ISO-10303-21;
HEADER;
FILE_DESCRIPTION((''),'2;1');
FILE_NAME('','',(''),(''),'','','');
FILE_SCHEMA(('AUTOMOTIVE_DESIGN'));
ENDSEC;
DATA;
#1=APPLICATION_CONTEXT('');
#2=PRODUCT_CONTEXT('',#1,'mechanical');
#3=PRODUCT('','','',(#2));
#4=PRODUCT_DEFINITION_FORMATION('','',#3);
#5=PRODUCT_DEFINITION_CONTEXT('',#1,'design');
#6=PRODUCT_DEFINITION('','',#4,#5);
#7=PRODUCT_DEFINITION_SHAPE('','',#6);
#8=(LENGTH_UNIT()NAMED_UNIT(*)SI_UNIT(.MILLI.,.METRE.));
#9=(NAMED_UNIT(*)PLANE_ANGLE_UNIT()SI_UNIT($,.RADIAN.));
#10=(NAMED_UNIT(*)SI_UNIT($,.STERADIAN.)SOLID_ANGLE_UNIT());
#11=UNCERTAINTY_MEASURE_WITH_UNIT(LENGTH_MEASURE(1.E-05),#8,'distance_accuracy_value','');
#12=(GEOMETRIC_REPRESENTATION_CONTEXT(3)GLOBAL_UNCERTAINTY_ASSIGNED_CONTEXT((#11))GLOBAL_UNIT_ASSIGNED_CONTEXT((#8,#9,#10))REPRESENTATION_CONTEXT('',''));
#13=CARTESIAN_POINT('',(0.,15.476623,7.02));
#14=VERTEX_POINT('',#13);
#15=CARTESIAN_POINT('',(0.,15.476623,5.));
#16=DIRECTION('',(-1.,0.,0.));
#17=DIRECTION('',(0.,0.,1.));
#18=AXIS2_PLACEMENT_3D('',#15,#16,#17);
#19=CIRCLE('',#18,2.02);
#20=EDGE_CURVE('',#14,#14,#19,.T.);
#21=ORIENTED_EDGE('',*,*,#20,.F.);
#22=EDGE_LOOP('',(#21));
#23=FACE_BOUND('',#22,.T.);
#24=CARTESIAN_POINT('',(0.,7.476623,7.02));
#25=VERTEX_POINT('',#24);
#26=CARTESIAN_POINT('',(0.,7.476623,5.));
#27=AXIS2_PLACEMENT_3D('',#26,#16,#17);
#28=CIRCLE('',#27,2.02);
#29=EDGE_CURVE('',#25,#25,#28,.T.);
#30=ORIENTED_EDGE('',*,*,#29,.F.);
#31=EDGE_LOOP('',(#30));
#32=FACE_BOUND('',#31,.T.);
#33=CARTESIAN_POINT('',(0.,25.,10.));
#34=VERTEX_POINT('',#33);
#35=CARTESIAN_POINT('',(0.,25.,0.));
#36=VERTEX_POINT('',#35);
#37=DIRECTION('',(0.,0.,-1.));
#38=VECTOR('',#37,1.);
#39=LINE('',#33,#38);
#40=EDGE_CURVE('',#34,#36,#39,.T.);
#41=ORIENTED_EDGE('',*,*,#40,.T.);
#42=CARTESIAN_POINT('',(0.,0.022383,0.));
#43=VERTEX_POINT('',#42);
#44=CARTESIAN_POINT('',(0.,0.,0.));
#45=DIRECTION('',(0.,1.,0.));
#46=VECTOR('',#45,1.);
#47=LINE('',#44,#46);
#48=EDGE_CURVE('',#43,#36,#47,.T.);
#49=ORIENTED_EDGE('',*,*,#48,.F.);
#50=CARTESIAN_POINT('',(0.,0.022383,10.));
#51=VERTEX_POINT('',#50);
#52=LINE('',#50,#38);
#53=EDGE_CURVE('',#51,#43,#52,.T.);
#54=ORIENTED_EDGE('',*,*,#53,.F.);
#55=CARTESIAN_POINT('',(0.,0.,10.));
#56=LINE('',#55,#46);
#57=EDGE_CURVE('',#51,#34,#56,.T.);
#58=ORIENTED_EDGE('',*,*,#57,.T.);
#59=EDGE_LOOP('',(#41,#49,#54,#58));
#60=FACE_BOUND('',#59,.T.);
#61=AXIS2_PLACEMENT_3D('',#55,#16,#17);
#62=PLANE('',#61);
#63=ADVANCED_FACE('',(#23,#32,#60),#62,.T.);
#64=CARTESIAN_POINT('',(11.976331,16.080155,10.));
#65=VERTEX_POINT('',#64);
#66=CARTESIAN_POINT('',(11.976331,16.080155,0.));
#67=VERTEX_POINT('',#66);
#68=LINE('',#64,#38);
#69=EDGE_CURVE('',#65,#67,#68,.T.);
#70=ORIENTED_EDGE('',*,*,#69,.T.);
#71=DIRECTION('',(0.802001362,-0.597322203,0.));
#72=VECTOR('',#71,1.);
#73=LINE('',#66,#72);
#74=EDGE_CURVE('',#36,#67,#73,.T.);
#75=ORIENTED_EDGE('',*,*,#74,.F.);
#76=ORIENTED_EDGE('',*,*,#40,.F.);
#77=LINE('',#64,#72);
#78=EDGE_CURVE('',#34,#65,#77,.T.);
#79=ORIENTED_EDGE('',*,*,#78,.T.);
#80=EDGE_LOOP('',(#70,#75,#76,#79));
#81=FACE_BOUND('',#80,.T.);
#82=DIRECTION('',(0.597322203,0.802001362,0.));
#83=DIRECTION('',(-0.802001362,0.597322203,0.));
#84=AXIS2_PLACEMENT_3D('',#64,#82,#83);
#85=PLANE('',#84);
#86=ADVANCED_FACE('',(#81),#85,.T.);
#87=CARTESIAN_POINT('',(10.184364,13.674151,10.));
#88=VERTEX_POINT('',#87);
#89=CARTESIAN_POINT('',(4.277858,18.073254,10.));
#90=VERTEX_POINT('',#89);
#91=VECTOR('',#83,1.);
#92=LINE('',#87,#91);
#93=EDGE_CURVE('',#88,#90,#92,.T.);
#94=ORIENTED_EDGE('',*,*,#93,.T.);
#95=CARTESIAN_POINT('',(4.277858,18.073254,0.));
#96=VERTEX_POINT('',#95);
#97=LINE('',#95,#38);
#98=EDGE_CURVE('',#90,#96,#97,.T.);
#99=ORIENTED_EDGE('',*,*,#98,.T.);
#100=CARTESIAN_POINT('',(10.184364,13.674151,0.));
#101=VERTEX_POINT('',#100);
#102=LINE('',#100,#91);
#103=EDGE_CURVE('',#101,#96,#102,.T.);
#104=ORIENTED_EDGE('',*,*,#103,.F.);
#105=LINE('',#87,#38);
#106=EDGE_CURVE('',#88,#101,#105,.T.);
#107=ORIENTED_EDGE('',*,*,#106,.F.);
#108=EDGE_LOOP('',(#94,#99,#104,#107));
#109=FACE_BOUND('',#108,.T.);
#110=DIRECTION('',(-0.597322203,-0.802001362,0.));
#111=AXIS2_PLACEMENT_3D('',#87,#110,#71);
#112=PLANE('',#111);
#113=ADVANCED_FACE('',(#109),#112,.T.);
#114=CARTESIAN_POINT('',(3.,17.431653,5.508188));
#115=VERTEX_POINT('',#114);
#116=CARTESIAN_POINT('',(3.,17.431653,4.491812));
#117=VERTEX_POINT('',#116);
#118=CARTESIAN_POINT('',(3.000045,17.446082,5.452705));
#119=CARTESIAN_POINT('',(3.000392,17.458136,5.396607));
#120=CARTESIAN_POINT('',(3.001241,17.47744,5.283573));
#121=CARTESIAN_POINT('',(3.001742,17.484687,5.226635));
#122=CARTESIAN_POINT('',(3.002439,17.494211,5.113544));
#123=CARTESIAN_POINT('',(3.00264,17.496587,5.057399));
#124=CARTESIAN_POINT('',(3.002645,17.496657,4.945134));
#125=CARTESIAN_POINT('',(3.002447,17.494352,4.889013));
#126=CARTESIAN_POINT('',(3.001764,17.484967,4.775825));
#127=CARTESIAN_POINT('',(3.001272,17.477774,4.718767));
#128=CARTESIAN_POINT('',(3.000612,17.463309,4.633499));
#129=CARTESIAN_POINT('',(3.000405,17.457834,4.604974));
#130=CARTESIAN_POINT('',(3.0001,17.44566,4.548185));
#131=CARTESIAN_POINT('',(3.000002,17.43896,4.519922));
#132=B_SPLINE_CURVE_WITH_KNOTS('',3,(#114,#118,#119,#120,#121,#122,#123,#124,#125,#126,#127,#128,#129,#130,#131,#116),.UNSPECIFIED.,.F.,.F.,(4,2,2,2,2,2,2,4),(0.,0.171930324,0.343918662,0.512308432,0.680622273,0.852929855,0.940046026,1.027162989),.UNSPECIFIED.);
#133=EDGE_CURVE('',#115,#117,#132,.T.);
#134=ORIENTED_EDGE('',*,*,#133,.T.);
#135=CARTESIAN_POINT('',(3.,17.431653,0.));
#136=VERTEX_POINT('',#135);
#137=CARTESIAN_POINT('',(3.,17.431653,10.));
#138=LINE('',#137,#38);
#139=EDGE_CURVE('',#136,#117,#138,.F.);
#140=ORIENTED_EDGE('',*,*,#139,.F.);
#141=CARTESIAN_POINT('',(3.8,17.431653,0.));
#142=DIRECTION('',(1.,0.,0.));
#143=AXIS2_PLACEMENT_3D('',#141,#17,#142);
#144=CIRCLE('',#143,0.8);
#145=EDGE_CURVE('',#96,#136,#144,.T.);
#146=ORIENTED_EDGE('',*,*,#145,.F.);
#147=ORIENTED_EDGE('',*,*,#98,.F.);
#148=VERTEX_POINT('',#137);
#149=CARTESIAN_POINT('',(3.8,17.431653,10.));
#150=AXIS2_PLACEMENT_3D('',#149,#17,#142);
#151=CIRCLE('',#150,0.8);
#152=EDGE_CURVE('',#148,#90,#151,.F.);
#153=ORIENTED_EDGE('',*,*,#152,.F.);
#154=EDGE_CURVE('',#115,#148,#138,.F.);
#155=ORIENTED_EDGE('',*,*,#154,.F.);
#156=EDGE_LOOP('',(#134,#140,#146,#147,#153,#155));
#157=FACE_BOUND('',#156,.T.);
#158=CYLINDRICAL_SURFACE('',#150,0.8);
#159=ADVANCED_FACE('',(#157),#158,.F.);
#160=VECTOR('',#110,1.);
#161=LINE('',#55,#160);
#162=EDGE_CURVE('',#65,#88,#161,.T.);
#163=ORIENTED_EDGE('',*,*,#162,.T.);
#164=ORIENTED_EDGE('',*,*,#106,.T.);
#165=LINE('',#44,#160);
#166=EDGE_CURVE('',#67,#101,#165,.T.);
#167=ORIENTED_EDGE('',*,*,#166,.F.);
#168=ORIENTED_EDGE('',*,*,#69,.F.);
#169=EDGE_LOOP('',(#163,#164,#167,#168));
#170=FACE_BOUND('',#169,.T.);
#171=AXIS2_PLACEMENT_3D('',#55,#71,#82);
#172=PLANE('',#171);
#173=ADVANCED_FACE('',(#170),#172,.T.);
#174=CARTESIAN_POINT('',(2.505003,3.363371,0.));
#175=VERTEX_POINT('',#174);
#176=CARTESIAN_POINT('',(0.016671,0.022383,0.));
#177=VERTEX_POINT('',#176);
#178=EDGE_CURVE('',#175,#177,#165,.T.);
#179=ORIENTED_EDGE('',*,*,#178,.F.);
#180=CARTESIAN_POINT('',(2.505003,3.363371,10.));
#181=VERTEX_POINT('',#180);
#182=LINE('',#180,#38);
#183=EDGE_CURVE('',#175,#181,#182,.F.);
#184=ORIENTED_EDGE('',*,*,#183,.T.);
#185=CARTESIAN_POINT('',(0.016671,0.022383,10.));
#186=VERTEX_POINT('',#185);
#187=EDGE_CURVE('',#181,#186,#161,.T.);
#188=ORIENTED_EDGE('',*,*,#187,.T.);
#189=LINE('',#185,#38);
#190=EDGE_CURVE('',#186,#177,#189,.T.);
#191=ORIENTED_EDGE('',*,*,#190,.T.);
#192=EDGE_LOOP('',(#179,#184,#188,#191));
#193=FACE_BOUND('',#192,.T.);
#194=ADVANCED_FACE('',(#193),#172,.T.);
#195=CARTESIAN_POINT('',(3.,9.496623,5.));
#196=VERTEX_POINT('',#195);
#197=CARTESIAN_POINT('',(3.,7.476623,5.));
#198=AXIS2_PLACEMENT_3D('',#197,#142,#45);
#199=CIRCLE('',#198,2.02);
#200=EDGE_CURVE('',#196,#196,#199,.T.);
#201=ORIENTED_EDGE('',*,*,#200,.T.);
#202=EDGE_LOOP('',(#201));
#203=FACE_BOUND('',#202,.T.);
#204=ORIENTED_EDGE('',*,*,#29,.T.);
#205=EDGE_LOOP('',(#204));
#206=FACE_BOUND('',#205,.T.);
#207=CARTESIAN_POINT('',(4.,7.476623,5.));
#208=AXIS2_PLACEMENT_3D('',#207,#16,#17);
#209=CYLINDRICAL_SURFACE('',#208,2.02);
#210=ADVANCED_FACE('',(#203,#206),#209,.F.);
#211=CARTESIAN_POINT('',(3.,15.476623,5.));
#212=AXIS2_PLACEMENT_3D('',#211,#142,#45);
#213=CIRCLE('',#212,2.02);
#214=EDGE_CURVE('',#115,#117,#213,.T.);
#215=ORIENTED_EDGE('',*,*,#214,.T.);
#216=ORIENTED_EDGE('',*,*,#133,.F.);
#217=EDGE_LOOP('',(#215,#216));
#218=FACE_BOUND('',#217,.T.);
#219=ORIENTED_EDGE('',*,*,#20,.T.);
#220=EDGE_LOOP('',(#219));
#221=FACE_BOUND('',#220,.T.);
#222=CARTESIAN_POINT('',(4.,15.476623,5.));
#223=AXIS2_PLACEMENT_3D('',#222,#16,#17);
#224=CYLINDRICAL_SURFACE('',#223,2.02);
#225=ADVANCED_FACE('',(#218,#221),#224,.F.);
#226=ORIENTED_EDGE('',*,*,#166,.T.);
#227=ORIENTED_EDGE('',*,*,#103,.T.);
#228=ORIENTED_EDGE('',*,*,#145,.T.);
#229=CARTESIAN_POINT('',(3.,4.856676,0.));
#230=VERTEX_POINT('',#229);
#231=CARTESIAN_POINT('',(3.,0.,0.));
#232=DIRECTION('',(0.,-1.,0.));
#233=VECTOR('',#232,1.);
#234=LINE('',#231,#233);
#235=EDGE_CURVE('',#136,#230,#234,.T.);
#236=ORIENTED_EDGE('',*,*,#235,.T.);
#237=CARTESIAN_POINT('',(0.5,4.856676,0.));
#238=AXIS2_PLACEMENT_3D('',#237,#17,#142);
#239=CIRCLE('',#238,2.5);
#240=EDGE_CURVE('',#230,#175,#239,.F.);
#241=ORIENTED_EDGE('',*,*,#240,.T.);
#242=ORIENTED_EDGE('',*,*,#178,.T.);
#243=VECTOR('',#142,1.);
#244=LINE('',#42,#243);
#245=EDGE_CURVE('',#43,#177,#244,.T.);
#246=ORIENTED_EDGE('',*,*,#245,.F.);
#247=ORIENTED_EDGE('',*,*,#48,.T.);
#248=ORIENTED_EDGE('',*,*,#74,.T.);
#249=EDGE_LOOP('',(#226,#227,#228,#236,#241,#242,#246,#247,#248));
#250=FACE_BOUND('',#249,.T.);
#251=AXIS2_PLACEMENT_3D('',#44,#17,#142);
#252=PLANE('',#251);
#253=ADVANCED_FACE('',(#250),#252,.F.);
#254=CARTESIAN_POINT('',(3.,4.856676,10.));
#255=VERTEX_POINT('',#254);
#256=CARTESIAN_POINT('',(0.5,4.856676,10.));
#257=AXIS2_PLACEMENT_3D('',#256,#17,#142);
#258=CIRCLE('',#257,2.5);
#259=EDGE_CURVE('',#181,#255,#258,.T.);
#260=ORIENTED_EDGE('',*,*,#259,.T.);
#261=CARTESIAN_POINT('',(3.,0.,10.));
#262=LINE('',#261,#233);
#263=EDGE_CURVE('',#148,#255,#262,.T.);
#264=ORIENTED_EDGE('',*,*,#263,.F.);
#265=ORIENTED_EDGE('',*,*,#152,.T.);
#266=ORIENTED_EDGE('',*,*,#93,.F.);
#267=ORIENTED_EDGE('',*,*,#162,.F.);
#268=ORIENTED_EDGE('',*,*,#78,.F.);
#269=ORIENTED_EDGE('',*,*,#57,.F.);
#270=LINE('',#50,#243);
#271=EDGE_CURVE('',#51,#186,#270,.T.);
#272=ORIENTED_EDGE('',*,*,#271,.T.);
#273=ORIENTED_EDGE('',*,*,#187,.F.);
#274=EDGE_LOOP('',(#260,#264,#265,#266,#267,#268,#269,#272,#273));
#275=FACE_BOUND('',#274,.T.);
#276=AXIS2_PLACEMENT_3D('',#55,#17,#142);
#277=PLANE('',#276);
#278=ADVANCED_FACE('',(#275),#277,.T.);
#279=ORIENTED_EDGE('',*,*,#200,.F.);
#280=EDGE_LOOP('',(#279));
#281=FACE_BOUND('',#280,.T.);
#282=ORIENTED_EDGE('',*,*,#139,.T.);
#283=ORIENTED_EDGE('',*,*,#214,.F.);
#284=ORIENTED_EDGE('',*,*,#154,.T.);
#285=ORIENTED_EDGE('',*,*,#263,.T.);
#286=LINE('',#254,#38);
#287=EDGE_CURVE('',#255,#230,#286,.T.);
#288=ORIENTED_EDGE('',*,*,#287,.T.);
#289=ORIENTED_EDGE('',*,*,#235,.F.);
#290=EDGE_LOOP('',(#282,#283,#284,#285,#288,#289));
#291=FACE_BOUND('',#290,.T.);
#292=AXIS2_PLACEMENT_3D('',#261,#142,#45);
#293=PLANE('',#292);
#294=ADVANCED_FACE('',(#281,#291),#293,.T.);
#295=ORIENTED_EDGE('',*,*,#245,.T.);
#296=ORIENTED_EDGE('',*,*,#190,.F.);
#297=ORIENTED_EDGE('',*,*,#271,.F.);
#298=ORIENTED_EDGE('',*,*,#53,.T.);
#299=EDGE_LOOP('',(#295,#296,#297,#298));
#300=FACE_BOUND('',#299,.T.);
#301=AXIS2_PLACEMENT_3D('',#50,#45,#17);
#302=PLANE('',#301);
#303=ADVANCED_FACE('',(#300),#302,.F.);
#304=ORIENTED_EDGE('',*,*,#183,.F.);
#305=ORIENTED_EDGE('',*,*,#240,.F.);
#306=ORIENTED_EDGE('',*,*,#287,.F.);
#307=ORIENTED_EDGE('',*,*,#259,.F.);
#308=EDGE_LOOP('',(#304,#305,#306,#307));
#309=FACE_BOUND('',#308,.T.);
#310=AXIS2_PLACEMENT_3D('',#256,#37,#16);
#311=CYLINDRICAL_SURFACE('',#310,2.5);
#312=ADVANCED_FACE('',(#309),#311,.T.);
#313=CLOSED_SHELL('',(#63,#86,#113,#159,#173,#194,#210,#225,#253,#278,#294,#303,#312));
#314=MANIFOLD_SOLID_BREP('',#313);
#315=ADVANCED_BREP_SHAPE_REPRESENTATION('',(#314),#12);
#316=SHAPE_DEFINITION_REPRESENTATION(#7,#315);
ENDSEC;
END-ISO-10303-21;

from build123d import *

# Parameters (mm, degrees)
BOSS_EXTRUDE1_DEPTH = 10
FILLET1_R           = 0.8
FILLET2_R           = 2.5
SKETCH6_R           = 2.02
CUT_EXTRUDE1_DEPTH  = 4


with BuildPart() as part:
    # Sketch2 → Boss-Extrude1 (new body)
    with BuildSketch(Plane.XY):
        Polygon((0, 21.259357975), (0, 0.022383201), (0.016670773, 0.022383201), (3, 4.02798368), (3, 19.024989439), align=None)
        Polygon((0, 22.637274757), (0, 21.259357975), (3, 19.024989439), (3, 22.765631464), (1.131871138, 24.156994247), align=None)
        Polygon((3, 22.765631464), (3, 19.024989439), (10.184363913, 13.674150545), (11.976330523, 16.080154633), align=None)
        Polygon((0, 25), (0, 22.637274757), (1.131871138, 24.156994247), align=None)
    extrude(amount=BOSS_EXTRUDE1_DEPTH)

    # Fillet1
    fillet1_edges = [part.edges().sort_by_distance(p)[0] for p in [
        (3, 19.024989439, 5),
    ]]
    fillet(fillet1_edges, radius=FILLET1_R)

    # Fillet2
    fillet2_edges = [part.edges().sort_by_distance(p)[0] for p in [
        (3, 4.02798368, 5),
    ]]
    fillet(fillet2_edges, radius=FILLET2_R)

    # Sketch6 → Cut-Extrude1 (cut)
    with BuildSketch(Plane.ZY):
        with Locations((5, 15.476622616)):
            Circle(SKETCH6_R)
        with Locations((5, 7.476622616)):
            Circle(SKETCH6_R)
    extrude(amount=-CUT_EXTRUDE1_DEPTH, mode=Mode.SUBTRACT)


solid = part.part
